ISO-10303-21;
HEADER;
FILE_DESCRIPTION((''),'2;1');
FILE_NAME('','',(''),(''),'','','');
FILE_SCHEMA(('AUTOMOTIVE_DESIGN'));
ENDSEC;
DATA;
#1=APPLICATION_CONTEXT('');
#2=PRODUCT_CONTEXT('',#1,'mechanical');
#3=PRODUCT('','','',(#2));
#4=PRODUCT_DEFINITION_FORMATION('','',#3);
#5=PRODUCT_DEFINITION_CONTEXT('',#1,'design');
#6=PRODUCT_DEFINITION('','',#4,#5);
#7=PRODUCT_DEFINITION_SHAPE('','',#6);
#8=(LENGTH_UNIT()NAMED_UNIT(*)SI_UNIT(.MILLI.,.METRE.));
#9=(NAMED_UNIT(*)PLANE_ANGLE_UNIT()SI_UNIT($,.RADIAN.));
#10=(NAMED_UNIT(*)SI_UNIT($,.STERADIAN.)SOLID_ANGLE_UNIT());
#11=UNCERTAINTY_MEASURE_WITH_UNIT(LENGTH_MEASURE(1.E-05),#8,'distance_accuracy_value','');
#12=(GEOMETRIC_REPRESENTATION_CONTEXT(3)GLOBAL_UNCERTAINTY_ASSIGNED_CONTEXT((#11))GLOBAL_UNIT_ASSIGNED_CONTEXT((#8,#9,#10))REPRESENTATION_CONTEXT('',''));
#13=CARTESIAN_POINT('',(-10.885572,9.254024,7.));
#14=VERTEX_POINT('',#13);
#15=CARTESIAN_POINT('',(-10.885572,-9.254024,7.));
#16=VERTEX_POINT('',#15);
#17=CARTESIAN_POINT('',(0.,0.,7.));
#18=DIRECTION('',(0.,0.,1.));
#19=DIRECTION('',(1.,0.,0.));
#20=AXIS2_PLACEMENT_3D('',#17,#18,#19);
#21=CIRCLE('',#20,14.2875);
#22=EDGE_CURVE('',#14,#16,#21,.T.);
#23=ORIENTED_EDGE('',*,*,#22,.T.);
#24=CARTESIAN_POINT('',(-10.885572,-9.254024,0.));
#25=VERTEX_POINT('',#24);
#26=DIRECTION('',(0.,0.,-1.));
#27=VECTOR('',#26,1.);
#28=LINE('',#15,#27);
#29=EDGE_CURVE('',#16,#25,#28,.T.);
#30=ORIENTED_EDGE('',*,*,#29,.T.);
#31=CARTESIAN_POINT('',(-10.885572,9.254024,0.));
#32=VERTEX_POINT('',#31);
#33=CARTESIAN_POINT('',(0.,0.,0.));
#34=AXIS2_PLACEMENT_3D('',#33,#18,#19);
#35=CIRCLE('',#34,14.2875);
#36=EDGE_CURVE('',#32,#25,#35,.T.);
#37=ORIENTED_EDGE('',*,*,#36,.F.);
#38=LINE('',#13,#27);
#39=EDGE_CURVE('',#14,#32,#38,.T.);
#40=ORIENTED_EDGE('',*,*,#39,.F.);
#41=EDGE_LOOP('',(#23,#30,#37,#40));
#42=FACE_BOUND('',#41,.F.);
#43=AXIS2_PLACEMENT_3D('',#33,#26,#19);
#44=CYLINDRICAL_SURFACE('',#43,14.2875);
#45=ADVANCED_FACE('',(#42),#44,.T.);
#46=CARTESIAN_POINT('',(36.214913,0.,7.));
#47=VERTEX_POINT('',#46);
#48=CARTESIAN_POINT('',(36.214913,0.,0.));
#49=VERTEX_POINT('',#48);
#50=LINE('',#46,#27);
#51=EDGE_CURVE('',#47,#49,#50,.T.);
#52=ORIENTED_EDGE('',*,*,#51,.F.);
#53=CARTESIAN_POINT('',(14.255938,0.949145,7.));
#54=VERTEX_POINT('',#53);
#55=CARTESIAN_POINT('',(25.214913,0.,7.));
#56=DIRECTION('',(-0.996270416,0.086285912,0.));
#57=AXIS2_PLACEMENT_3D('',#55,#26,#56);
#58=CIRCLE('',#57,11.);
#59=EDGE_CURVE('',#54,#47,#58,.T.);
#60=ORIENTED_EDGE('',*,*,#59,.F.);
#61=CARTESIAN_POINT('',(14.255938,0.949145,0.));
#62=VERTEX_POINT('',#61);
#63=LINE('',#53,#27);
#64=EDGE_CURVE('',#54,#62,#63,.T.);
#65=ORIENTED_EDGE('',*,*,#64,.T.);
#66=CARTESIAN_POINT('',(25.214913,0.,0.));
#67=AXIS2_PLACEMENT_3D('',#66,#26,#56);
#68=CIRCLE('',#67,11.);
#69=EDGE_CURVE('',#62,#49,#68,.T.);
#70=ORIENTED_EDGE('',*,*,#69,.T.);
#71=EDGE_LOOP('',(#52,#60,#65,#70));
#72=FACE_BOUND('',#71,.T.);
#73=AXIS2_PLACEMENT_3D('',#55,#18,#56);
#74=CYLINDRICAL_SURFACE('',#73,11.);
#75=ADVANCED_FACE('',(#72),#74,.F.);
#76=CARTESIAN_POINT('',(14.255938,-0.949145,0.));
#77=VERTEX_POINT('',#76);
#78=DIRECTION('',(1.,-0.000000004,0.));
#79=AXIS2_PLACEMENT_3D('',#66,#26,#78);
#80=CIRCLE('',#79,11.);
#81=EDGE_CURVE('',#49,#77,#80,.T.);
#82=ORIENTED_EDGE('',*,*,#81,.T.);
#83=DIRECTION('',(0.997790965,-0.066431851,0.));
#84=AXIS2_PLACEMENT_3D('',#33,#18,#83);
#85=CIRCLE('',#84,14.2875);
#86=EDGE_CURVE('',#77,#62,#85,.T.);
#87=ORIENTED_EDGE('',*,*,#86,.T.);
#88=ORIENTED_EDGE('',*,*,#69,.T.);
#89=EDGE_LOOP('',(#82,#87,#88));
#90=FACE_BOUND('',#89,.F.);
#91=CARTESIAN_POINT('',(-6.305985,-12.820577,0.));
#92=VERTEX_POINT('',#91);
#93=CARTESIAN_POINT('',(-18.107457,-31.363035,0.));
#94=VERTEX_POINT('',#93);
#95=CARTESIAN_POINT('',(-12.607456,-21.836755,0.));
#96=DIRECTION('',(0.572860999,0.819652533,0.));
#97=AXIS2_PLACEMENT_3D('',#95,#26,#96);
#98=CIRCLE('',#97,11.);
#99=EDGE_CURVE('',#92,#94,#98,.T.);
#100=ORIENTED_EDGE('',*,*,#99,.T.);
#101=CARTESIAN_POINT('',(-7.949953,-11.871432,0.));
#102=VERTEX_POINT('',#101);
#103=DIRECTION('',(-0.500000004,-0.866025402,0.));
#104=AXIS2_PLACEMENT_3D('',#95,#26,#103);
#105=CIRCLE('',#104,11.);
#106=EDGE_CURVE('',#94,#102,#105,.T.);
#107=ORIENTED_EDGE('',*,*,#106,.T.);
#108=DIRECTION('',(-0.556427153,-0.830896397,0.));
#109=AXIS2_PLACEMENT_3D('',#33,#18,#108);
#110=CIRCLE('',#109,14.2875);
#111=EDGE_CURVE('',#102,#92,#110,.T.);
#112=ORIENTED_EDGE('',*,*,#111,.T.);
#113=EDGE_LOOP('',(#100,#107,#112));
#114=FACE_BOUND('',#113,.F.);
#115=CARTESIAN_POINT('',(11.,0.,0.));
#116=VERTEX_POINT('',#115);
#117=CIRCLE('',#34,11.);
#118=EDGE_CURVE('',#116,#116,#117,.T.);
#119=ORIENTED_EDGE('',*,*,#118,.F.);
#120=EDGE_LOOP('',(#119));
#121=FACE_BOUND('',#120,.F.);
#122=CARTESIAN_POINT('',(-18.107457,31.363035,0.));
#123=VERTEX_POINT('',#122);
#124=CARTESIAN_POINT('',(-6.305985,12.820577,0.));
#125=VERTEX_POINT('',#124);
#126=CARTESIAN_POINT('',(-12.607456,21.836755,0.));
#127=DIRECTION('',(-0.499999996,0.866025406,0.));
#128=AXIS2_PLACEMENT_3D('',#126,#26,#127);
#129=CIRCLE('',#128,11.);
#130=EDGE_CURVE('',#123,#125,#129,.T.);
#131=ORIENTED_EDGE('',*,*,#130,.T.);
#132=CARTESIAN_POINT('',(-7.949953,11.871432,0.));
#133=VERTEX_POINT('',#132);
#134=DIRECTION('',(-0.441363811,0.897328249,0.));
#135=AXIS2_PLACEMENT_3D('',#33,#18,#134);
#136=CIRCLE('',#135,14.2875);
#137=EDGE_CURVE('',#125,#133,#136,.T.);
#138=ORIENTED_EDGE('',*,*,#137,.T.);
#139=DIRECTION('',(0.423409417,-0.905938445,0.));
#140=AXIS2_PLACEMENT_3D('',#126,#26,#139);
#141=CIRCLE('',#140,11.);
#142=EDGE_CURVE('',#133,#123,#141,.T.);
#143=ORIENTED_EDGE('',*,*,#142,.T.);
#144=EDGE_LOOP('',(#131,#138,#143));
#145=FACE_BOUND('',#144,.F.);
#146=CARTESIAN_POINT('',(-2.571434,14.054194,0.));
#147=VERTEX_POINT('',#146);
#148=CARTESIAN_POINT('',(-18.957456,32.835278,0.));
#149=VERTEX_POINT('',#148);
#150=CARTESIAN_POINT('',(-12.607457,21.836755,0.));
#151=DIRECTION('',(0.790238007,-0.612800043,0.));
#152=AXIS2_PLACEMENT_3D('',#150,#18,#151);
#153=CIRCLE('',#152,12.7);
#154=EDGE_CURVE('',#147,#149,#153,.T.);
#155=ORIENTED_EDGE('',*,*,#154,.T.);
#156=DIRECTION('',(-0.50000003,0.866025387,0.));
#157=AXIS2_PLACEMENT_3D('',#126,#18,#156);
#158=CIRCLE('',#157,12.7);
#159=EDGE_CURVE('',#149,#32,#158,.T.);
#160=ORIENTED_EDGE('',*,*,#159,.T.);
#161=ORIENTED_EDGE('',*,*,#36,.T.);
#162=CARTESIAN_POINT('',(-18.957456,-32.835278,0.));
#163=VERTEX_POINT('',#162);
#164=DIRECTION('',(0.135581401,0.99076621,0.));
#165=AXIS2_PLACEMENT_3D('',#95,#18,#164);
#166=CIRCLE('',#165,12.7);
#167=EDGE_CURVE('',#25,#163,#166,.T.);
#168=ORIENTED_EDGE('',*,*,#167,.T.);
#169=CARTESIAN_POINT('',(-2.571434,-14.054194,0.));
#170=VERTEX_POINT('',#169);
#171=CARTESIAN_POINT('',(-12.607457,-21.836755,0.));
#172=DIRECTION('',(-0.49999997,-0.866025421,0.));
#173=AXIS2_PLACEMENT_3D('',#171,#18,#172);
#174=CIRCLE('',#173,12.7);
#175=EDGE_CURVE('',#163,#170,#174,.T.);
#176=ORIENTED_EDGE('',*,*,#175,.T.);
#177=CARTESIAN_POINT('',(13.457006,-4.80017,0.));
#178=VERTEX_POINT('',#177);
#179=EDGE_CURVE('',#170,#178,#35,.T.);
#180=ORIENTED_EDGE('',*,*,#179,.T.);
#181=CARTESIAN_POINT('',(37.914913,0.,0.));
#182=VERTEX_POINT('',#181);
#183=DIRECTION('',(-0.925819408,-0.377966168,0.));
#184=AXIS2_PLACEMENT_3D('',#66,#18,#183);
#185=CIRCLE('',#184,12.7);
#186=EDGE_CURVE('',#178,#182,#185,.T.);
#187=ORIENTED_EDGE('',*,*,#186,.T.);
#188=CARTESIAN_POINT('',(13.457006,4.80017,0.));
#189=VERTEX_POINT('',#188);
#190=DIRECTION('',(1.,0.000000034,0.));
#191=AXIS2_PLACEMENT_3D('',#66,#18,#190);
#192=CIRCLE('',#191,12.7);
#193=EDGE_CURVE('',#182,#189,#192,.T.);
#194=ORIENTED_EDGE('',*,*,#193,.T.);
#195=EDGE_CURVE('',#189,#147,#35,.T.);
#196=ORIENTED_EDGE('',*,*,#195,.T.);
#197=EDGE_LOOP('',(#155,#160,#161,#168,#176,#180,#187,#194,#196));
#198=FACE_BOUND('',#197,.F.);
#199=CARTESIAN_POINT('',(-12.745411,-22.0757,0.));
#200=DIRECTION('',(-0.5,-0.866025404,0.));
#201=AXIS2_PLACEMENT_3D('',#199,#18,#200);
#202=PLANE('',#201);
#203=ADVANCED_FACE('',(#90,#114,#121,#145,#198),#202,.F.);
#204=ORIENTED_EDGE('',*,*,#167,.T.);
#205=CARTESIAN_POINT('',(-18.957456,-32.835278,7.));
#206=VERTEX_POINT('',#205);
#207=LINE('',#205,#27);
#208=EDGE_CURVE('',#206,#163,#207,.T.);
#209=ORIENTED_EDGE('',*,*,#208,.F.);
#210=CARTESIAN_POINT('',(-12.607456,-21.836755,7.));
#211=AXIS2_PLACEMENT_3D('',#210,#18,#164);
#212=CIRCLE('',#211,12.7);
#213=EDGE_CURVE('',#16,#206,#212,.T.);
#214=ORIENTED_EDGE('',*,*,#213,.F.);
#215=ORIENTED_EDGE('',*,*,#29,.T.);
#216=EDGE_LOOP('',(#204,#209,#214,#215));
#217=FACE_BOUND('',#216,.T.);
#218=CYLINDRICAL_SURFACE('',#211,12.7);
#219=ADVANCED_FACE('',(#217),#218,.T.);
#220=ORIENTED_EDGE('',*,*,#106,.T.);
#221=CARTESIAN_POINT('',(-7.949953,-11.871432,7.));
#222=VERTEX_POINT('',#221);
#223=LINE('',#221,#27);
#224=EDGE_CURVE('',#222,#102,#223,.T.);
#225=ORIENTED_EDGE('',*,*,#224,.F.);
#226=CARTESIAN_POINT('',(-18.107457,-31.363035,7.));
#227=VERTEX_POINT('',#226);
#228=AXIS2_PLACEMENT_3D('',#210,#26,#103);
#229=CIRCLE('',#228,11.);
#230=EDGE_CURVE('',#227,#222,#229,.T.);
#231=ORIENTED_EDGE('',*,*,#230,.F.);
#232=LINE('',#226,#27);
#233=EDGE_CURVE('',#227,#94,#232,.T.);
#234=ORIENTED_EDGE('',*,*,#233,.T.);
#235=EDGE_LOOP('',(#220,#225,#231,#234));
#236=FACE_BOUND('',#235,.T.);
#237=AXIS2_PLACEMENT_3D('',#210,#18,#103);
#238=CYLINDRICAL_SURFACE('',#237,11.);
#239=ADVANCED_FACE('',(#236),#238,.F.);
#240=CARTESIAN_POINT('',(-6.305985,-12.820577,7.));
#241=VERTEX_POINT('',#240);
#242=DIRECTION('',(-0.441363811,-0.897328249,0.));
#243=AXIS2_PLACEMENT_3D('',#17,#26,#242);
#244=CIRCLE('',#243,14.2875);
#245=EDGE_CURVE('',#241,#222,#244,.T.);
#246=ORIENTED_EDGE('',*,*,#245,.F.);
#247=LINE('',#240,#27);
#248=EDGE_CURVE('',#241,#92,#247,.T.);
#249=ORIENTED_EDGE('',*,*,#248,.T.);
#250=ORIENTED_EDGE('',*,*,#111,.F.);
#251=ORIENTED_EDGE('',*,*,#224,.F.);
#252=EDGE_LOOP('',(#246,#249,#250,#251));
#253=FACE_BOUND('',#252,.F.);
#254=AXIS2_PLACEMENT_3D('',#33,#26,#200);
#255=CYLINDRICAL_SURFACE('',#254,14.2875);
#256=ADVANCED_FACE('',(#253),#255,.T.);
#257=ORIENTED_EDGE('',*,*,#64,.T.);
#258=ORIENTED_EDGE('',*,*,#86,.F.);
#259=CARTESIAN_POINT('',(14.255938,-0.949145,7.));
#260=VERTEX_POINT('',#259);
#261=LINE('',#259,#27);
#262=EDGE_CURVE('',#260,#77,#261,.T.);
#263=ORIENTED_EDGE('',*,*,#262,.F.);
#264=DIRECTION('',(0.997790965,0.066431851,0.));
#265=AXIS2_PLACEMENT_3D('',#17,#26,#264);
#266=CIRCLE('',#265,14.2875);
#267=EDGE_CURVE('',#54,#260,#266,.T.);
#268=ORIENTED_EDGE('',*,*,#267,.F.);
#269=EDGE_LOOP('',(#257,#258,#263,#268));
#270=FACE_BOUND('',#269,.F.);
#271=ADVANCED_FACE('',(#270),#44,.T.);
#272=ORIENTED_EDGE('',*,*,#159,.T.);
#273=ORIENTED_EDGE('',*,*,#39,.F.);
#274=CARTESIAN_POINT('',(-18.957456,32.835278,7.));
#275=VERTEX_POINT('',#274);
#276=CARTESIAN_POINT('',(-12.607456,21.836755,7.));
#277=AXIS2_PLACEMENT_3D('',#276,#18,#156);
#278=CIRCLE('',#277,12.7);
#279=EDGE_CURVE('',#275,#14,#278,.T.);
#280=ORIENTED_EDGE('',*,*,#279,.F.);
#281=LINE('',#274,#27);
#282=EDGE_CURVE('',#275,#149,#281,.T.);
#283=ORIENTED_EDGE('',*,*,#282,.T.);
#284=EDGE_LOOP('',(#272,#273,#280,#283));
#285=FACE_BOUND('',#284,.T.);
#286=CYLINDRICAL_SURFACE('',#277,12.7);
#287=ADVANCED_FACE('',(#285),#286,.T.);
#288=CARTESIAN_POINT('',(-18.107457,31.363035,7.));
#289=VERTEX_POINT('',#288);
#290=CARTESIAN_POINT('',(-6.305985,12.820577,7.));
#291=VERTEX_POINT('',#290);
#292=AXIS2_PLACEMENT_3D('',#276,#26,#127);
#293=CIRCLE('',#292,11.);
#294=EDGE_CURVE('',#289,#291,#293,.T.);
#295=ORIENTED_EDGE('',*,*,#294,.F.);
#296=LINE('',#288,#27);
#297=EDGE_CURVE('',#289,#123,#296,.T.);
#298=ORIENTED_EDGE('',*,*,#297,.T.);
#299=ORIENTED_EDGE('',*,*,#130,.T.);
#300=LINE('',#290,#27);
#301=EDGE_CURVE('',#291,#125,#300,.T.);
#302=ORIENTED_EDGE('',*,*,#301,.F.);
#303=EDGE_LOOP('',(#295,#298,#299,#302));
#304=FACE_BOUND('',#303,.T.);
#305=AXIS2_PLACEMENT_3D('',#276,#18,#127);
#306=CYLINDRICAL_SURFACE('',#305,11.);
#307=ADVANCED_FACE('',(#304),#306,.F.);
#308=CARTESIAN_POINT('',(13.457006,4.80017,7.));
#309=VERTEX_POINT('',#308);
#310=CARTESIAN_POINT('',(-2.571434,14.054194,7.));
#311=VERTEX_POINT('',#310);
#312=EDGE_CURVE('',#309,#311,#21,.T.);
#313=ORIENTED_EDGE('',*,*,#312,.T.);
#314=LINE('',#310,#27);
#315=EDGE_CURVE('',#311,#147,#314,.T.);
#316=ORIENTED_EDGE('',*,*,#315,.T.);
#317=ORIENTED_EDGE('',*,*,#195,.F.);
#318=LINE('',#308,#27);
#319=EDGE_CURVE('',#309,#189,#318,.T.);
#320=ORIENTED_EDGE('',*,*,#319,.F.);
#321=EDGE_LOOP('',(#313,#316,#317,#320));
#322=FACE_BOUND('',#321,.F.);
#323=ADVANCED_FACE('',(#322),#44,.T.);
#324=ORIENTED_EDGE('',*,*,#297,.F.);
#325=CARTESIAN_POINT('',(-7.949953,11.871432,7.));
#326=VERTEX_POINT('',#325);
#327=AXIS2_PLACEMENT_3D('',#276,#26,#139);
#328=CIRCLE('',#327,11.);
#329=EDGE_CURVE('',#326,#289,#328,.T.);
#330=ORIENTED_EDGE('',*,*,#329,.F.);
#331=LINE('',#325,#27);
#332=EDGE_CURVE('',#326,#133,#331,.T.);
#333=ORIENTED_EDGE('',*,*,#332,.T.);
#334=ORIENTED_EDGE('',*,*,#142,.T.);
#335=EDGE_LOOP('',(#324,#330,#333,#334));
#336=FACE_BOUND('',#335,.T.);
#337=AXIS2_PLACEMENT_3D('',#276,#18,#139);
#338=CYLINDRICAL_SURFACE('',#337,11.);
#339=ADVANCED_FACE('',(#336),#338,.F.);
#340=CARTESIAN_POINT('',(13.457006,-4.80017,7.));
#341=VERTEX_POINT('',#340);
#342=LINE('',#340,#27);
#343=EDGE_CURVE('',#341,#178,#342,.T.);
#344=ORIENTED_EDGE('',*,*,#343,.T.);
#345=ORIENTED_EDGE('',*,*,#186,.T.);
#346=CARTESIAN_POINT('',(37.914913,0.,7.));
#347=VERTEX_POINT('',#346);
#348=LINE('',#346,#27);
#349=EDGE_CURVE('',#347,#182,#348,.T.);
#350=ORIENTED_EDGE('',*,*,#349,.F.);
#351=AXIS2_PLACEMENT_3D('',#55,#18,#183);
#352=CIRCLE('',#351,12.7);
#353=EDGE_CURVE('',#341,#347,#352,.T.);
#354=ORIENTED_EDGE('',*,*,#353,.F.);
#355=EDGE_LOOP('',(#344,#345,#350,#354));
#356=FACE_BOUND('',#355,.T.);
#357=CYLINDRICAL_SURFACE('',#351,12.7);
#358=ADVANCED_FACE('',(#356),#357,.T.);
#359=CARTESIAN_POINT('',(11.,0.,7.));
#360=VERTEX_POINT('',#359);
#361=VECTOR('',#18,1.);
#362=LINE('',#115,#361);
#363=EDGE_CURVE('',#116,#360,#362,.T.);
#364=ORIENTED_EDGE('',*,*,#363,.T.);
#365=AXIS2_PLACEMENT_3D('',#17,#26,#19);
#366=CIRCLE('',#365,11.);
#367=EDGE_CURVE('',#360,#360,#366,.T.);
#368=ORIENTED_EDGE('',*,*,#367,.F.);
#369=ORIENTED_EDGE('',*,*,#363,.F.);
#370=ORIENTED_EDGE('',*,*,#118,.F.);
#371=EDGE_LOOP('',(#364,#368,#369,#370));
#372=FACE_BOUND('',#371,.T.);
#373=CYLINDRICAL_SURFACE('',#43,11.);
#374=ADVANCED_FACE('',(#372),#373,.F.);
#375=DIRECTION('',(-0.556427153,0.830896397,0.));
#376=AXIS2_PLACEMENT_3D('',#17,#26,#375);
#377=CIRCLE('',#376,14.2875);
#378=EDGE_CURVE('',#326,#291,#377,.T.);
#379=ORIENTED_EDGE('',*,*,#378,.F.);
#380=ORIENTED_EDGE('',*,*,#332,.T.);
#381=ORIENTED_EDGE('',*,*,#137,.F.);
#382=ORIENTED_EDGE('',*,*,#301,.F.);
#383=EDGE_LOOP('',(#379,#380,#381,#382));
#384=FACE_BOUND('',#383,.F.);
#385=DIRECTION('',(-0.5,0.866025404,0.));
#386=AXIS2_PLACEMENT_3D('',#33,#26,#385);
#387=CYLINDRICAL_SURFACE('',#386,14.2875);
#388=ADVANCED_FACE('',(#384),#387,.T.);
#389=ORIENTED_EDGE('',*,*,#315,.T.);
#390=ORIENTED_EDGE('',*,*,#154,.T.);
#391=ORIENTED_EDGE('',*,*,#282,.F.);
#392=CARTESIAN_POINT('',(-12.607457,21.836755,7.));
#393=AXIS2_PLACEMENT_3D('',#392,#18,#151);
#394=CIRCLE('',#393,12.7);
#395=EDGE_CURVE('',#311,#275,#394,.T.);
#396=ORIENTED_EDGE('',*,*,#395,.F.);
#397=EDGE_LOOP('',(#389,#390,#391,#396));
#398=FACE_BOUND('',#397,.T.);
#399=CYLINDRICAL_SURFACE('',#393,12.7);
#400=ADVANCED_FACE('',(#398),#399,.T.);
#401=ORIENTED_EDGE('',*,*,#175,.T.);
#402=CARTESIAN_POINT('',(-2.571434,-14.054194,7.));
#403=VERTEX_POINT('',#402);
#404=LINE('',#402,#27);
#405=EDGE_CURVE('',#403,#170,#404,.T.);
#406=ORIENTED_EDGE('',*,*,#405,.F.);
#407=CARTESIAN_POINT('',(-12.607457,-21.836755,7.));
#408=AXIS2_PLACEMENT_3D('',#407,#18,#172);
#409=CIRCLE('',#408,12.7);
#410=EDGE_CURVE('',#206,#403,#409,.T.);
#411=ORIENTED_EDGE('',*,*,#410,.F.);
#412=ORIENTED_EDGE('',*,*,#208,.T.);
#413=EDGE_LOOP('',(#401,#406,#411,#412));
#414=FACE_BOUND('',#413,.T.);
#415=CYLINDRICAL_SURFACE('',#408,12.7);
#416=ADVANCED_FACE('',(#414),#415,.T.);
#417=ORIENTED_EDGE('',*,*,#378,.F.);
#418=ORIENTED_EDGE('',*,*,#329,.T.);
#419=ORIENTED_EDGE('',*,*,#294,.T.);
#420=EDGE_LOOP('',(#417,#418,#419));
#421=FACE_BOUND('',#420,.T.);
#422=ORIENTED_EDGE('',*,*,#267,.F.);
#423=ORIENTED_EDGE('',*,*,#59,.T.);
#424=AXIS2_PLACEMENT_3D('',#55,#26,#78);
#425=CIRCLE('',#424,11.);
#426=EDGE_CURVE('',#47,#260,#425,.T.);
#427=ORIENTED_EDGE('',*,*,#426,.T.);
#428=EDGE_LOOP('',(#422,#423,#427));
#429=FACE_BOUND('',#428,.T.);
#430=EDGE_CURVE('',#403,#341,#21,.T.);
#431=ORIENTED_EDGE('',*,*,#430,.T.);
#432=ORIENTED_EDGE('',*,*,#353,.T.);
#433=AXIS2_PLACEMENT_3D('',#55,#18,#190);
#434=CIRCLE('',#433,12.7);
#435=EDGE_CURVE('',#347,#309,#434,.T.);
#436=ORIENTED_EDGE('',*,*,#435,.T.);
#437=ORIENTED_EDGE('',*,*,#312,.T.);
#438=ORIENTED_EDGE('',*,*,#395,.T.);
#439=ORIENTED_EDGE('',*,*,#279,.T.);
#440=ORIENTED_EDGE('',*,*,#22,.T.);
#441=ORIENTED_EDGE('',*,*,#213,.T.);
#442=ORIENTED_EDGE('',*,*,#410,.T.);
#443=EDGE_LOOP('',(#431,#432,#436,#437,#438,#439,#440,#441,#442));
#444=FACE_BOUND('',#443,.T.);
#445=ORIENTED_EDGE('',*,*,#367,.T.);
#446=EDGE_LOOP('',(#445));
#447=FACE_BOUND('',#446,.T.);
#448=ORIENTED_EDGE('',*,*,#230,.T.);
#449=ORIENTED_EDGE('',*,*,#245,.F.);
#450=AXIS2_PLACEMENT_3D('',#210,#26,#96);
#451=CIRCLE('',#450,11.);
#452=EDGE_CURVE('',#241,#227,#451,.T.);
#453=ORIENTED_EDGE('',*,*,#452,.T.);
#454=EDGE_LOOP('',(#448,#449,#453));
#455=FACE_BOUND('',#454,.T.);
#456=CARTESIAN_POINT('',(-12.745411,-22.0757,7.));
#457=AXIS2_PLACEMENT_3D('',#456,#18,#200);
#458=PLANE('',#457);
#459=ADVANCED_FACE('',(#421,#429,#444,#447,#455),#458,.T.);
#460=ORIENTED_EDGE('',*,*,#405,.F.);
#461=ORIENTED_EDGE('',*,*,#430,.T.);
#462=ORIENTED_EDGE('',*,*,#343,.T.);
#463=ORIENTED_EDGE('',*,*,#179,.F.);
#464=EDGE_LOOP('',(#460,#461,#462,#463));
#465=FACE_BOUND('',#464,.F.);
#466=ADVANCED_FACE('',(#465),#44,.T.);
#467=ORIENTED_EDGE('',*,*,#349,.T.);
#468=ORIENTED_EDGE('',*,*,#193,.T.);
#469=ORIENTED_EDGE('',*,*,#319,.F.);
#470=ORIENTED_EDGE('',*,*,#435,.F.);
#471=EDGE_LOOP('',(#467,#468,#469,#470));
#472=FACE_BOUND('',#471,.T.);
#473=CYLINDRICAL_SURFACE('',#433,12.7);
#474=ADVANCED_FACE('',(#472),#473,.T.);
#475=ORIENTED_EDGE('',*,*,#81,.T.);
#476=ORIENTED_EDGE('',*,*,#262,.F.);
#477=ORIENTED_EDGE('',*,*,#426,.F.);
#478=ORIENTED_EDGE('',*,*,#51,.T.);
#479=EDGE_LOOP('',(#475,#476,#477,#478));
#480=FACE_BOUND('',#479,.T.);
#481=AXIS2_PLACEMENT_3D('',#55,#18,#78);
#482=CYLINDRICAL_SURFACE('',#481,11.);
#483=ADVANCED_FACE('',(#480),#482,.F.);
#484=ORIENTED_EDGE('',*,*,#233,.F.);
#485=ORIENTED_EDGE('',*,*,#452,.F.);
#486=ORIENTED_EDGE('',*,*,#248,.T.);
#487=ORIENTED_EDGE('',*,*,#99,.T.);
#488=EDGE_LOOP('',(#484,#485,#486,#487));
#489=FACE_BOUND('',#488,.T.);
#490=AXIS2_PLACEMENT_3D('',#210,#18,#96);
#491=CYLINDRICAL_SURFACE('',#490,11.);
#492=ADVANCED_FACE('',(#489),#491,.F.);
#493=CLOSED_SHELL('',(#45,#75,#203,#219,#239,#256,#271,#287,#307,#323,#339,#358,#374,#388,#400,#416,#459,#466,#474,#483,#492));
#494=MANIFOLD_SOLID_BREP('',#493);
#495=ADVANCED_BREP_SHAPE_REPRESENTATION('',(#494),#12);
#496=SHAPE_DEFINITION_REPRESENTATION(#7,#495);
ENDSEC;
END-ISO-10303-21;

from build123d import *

# Parameters (mm, degrees)
F0_R     = 14.2875
F0_R_2   = 11
F1_DEPTH = 7
F3_DEPTH = 7
F4_COUNT = 3


with BuildPart() as f1:
    # F0 (on Top) → F1 (new body)
    with BuildSketch(Plane.XY):
        Circle(F0_R)
        Circle(F0_R_2, mode=Mode.SUBTRACT)
    extrude(amount=F1_DEPTH)

    # F2 (on face) → F3 (join)
    with BuildSketch(Plane.XY.offset(7)):
        with BuildLine():
            ThreePointArc((14.255938, 0.949145), (25.689929, 10.989739), (36.214913, 0))
            ThreePointArc((36.214913, 0), (25.689929, -10.989739), (14.255938, -0.949145))
            ThreePointArc((14.255938, -0.949145), (13.989619, -2.90228), (13.457006, -4.80017))
            ThreePointArc((13.457006, -4.80017), (27.660786, -12.462251), (37.914913, 0))
            ThreePointArc((37.914913, 0), (27.660786, 12.462251), (13.457006, 4.80017))
            ThreePointArc((13.457006, 4.80017), (13.989619, 2.90228), (14.255938, 0.949145))
        make_face()
    extrude(amount=-F3_DEPTH)

    # F4: F1 ×3 about axis
    f4_axis = Axis((0, 0, 7), (0, 0, 1))


with BuildPart() as f1_1:
    add(f1.part)
    for i in range(1, F4_COUNT):
        add(f1.part.rotate(f4_axis, i * 360 / F4_COUNT))


solid = f1_1.part
